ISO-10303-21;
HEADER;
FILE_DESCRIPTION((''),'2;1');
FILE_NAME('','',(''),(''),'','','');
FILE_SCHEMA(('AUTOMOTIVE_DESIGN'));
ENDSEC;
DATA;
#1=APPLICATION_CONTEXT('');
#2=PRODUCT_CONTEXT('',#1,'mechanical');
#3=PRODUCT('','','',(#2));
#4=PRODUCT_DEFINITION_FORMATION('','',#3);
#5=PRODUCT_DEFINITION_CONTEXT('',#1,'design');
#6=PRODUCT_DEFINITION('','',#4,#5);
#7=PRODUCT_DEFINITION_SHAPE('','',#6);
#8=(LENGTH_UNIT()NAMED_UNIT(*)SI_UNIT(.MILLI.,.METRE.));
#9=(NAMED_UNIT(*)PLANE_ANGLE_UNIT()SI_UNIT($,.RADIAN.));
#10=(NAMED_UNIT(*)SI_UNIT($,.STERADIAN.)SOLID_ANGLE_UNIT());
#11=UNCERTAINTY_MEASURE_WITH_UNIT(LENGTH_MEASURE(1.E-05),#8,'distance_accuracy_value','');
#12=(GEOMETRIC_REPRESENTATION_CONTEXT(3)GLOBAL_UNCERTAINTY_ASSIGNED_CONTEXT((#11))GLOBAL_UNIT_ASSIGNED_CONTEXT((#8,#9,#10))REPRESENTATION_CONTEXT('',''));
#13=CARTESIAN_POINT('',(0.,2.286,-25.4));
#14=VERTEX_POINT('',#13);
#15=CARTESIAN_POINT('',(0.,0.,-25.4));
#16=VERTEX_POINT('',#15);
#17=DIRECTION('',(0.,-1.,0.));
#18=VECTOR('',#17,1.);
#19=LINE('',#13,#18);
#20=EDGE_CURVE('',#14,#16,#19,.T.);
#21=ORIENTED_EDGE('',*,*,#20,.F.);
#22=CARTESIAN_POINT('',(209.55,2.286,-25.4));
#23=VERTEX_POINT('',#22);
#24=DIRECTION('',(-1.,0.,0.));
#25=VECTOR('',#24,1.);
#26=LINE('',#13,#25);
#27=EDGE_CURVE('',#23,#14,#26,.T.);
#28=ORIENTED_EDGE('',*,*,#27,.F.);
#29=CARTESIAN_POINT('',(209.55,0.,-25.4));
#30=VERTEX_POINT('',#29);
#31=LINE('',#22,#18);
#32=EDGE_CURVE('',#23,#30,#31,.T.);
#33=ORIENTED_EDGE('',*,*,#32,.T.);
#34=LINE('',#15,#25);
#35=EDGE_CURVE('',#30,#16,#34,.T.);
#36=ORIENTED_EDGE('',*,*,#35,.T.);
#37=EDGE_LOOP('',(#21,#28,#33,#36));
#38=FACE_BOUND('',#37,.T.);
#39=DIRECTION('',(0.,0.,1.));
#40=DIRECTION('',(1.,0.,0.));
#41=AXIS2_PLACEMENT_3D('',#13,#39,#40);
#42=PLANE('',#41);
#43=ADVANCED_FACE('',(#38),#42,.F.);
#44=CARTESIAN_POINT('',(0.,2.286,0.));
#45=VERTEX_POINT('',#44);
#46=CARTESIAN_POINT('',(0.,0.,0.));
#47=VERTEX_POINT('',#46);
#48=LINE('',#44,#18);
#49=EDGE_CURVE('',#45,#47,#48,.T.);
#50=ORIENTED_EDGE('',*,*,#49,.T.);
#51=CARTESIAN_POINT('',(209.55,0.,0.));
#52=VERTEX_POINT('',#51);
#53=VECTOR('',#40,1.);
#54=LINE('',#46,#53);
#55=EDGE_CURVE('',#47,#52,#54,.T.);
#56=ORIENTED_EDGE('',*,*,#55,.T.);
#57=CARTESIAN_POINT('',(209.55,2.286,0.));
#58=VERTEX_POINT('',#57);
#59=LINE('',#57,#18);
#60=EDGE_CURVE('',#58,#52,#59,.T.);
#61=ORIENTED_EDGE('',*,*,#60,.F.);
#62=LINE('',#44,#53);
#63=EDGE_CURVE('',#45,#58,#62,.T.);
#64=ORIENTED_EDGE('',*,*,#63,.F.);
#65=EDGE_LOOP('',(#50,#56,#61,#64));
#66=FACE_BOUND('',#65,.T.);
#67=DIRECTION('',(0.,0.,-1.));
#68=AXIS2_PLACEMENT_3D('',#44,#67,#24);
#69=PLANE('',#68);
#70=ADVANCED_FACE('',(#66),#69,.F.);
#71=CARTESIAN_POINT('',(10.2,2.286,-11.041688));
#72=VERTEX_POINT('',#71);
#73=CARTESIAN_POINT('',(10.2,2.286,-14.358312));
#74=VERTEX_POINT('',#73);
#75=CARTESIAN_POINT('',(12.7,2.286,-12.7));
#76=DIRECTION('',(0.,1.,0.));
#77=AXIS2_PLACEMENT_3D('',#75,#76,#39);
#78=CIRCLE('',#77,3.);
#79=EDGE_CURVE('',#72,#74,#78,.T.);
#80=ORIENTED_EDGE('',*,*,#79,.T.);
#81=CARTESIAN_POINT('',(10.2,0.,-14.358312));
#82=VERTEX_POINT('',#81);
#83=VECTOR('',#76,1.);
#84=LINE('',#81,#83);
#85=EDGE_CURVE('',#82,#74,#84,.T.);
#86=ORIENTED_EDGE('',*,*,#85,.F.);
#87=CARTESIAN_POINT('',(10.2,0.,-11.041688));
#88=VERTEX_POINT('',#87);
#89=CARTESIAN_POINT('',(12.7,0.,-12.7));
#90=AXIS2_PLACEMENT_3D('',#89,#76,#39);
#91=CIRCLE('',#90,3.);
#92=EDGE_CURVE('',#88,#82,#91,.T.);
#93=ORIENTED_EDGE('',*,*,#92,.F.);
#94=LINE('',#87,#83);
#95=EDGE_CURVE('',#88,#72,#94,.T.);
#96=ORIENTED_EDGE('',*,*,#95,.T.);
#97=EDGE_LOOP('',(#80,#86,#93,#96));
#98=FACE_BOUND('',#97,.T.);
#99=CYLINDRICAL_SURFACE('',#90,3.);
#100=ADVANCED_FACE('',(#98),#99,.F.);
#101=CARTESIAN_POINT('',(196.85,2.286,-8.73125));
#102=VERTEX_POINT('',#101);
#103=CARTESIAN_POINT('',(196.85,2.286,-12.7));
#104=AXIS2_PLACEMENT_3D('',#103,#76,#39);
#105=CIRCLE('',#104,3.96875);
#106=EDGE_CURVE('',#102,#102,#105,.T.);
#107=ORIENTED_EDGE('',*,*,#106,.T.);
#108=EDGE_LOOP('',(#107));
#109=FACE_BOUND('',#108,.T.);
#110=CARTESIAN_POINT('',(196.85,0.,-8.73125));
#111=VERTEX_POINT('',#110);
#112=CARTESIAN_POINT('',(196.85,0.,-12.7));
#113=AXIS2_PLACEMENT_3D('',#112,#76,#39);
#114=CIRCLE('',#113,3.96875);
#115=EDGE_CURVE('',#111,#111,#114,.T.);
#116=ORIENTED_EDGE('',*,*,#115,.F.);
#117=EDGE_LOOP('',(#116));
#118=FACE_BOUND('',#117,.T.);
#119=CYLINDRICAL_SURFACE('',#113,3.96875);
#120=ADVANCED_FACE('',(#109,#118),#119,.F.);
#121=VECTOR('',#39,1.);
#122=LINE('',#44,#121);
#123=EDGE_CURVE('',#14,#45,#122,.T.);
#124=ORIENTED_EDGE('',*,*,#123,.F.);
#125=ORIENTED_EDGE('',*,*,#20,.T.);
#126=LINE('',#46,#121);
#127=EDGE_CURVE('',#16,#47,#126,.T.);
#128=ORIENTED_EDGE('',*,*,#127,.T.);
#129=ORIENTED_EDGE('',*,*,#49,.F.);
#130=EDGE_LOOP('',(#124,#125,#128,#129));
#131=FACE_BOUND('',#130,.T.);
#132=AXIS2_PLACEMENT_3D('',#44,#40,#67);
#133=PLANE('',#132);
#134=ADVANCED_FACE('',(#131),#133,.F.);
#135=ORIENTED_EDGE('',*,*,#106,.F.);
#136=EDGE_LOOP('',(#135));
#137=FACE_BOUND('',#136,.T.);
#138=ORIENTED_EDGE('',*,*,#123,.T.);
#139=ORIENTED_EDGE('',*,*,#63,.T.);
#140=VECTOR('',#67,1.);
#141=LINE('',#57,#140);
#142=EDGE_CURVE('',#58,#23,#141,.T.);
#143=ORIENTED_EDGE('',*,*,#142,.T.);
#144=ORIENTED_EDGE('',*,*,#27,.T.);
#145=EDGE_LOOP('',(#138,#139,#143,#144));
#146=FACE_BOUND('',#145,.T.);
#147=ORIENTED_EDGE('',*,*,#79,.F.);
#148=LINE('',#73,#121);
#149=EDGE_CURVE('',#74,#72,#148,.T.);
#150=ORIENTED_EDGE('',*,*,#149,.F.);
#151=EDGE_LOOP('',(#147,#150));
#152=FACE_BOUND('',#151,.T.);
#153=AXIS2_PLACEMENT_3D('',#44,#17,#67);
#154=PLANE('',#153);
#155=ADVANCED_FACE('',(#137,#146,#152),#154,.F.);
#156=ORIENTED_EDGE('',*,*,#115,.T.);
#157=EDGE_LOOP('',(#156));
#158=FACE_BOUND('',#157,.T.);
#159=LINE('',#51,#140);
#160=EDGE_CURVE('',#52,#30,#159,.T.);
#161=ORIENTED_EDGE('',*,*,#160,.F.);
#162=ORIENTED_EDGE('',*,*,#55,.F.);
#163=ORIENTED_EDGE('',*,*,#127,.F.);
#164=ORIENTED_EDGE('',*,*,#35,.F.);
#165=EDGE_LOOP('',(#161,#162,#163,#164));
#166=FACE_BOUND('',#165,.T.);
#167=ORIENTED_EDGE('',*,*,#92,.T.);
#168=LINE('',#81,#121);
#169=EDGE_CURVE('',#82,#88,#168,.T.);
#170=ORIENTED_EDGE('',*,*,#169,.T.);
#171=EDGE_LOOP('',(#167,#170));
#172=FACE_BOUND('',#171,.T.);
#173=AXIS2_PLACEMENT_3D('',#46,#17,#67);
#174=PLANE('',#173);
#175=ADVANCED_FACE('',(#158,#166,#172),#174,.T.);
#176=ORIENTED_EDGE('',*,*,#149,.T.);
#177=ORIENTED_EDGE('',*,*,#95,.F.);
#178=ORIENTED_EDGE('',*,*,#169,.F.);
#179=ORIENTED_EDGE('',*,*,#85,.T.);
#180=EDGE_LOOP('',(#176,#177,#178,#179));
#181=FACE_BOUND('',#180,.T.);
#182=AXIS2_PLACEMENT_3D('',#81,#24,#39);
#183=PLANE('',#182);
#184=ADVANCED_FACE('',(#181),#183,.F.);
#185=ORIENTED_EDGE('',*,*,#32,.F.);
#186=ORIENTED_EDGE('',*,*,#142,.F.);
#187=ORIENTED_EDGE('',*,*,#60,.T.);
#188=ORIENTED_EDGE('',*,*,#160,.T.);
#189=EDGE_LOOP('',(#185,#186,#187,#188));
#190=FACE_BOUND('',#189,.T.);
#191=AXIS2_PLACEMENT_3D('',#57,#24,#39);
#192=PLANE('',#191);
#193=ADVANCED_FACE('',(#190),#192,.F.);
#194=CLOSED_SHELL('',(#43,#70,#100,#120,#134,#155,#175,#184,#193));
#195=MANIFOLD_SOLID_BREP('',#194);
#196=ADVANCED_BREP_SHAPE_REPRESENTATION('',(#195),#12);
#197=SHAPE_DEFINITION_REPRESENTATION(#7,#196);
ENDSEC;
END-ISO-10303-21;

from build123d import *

# Parameters (mm, degrees)
SKETCH1_W           = 209.55
SKETCH1_H           = 25.4
BOSS_EXTRUDE1_DEPTH = 2.286
SKETCH2_R           = 3.96875
CUT_EXTRUDE1_DEPTH  = 3.286


with BuildPart() as part:
    # Sketch1 → Boss-Extrude1 (new body)
    with BuildSketch(Plane(origin=(0, 0, 0), x_dir=(1, 0, 0), z_dir=(0, 1, 0))):
        with Locations((104.775, 12.7)):
            Rectangle(SKETCH1_W, SKETCH1_H)
    extrude(amount=BOSS_EXTRUDE1_DEPTH)

    # Sketch2 → Cut-Extrude1 (cut, through all)
    with BuildSketch(Plane(origin=(0, 2.286, 0), x_dir=(1, 0, 0), z_dir=(0, 1, 0))):
        with Locations((196.85, 12.7)):
            Circle(SKETCH2_R)
        with BuildLine():
            Line((10.2, 14.358312395), (10.2, 11.041687605))
            ThreePointArc((10.2, 11.041687605), (15.7, 12.7), (10.2, 14.358312395))
        make_face()
    extrude(amount=-CUT_EXTRUDE1_DEPTH, mode=Mode.SUBTRACT)


solid = part.part
